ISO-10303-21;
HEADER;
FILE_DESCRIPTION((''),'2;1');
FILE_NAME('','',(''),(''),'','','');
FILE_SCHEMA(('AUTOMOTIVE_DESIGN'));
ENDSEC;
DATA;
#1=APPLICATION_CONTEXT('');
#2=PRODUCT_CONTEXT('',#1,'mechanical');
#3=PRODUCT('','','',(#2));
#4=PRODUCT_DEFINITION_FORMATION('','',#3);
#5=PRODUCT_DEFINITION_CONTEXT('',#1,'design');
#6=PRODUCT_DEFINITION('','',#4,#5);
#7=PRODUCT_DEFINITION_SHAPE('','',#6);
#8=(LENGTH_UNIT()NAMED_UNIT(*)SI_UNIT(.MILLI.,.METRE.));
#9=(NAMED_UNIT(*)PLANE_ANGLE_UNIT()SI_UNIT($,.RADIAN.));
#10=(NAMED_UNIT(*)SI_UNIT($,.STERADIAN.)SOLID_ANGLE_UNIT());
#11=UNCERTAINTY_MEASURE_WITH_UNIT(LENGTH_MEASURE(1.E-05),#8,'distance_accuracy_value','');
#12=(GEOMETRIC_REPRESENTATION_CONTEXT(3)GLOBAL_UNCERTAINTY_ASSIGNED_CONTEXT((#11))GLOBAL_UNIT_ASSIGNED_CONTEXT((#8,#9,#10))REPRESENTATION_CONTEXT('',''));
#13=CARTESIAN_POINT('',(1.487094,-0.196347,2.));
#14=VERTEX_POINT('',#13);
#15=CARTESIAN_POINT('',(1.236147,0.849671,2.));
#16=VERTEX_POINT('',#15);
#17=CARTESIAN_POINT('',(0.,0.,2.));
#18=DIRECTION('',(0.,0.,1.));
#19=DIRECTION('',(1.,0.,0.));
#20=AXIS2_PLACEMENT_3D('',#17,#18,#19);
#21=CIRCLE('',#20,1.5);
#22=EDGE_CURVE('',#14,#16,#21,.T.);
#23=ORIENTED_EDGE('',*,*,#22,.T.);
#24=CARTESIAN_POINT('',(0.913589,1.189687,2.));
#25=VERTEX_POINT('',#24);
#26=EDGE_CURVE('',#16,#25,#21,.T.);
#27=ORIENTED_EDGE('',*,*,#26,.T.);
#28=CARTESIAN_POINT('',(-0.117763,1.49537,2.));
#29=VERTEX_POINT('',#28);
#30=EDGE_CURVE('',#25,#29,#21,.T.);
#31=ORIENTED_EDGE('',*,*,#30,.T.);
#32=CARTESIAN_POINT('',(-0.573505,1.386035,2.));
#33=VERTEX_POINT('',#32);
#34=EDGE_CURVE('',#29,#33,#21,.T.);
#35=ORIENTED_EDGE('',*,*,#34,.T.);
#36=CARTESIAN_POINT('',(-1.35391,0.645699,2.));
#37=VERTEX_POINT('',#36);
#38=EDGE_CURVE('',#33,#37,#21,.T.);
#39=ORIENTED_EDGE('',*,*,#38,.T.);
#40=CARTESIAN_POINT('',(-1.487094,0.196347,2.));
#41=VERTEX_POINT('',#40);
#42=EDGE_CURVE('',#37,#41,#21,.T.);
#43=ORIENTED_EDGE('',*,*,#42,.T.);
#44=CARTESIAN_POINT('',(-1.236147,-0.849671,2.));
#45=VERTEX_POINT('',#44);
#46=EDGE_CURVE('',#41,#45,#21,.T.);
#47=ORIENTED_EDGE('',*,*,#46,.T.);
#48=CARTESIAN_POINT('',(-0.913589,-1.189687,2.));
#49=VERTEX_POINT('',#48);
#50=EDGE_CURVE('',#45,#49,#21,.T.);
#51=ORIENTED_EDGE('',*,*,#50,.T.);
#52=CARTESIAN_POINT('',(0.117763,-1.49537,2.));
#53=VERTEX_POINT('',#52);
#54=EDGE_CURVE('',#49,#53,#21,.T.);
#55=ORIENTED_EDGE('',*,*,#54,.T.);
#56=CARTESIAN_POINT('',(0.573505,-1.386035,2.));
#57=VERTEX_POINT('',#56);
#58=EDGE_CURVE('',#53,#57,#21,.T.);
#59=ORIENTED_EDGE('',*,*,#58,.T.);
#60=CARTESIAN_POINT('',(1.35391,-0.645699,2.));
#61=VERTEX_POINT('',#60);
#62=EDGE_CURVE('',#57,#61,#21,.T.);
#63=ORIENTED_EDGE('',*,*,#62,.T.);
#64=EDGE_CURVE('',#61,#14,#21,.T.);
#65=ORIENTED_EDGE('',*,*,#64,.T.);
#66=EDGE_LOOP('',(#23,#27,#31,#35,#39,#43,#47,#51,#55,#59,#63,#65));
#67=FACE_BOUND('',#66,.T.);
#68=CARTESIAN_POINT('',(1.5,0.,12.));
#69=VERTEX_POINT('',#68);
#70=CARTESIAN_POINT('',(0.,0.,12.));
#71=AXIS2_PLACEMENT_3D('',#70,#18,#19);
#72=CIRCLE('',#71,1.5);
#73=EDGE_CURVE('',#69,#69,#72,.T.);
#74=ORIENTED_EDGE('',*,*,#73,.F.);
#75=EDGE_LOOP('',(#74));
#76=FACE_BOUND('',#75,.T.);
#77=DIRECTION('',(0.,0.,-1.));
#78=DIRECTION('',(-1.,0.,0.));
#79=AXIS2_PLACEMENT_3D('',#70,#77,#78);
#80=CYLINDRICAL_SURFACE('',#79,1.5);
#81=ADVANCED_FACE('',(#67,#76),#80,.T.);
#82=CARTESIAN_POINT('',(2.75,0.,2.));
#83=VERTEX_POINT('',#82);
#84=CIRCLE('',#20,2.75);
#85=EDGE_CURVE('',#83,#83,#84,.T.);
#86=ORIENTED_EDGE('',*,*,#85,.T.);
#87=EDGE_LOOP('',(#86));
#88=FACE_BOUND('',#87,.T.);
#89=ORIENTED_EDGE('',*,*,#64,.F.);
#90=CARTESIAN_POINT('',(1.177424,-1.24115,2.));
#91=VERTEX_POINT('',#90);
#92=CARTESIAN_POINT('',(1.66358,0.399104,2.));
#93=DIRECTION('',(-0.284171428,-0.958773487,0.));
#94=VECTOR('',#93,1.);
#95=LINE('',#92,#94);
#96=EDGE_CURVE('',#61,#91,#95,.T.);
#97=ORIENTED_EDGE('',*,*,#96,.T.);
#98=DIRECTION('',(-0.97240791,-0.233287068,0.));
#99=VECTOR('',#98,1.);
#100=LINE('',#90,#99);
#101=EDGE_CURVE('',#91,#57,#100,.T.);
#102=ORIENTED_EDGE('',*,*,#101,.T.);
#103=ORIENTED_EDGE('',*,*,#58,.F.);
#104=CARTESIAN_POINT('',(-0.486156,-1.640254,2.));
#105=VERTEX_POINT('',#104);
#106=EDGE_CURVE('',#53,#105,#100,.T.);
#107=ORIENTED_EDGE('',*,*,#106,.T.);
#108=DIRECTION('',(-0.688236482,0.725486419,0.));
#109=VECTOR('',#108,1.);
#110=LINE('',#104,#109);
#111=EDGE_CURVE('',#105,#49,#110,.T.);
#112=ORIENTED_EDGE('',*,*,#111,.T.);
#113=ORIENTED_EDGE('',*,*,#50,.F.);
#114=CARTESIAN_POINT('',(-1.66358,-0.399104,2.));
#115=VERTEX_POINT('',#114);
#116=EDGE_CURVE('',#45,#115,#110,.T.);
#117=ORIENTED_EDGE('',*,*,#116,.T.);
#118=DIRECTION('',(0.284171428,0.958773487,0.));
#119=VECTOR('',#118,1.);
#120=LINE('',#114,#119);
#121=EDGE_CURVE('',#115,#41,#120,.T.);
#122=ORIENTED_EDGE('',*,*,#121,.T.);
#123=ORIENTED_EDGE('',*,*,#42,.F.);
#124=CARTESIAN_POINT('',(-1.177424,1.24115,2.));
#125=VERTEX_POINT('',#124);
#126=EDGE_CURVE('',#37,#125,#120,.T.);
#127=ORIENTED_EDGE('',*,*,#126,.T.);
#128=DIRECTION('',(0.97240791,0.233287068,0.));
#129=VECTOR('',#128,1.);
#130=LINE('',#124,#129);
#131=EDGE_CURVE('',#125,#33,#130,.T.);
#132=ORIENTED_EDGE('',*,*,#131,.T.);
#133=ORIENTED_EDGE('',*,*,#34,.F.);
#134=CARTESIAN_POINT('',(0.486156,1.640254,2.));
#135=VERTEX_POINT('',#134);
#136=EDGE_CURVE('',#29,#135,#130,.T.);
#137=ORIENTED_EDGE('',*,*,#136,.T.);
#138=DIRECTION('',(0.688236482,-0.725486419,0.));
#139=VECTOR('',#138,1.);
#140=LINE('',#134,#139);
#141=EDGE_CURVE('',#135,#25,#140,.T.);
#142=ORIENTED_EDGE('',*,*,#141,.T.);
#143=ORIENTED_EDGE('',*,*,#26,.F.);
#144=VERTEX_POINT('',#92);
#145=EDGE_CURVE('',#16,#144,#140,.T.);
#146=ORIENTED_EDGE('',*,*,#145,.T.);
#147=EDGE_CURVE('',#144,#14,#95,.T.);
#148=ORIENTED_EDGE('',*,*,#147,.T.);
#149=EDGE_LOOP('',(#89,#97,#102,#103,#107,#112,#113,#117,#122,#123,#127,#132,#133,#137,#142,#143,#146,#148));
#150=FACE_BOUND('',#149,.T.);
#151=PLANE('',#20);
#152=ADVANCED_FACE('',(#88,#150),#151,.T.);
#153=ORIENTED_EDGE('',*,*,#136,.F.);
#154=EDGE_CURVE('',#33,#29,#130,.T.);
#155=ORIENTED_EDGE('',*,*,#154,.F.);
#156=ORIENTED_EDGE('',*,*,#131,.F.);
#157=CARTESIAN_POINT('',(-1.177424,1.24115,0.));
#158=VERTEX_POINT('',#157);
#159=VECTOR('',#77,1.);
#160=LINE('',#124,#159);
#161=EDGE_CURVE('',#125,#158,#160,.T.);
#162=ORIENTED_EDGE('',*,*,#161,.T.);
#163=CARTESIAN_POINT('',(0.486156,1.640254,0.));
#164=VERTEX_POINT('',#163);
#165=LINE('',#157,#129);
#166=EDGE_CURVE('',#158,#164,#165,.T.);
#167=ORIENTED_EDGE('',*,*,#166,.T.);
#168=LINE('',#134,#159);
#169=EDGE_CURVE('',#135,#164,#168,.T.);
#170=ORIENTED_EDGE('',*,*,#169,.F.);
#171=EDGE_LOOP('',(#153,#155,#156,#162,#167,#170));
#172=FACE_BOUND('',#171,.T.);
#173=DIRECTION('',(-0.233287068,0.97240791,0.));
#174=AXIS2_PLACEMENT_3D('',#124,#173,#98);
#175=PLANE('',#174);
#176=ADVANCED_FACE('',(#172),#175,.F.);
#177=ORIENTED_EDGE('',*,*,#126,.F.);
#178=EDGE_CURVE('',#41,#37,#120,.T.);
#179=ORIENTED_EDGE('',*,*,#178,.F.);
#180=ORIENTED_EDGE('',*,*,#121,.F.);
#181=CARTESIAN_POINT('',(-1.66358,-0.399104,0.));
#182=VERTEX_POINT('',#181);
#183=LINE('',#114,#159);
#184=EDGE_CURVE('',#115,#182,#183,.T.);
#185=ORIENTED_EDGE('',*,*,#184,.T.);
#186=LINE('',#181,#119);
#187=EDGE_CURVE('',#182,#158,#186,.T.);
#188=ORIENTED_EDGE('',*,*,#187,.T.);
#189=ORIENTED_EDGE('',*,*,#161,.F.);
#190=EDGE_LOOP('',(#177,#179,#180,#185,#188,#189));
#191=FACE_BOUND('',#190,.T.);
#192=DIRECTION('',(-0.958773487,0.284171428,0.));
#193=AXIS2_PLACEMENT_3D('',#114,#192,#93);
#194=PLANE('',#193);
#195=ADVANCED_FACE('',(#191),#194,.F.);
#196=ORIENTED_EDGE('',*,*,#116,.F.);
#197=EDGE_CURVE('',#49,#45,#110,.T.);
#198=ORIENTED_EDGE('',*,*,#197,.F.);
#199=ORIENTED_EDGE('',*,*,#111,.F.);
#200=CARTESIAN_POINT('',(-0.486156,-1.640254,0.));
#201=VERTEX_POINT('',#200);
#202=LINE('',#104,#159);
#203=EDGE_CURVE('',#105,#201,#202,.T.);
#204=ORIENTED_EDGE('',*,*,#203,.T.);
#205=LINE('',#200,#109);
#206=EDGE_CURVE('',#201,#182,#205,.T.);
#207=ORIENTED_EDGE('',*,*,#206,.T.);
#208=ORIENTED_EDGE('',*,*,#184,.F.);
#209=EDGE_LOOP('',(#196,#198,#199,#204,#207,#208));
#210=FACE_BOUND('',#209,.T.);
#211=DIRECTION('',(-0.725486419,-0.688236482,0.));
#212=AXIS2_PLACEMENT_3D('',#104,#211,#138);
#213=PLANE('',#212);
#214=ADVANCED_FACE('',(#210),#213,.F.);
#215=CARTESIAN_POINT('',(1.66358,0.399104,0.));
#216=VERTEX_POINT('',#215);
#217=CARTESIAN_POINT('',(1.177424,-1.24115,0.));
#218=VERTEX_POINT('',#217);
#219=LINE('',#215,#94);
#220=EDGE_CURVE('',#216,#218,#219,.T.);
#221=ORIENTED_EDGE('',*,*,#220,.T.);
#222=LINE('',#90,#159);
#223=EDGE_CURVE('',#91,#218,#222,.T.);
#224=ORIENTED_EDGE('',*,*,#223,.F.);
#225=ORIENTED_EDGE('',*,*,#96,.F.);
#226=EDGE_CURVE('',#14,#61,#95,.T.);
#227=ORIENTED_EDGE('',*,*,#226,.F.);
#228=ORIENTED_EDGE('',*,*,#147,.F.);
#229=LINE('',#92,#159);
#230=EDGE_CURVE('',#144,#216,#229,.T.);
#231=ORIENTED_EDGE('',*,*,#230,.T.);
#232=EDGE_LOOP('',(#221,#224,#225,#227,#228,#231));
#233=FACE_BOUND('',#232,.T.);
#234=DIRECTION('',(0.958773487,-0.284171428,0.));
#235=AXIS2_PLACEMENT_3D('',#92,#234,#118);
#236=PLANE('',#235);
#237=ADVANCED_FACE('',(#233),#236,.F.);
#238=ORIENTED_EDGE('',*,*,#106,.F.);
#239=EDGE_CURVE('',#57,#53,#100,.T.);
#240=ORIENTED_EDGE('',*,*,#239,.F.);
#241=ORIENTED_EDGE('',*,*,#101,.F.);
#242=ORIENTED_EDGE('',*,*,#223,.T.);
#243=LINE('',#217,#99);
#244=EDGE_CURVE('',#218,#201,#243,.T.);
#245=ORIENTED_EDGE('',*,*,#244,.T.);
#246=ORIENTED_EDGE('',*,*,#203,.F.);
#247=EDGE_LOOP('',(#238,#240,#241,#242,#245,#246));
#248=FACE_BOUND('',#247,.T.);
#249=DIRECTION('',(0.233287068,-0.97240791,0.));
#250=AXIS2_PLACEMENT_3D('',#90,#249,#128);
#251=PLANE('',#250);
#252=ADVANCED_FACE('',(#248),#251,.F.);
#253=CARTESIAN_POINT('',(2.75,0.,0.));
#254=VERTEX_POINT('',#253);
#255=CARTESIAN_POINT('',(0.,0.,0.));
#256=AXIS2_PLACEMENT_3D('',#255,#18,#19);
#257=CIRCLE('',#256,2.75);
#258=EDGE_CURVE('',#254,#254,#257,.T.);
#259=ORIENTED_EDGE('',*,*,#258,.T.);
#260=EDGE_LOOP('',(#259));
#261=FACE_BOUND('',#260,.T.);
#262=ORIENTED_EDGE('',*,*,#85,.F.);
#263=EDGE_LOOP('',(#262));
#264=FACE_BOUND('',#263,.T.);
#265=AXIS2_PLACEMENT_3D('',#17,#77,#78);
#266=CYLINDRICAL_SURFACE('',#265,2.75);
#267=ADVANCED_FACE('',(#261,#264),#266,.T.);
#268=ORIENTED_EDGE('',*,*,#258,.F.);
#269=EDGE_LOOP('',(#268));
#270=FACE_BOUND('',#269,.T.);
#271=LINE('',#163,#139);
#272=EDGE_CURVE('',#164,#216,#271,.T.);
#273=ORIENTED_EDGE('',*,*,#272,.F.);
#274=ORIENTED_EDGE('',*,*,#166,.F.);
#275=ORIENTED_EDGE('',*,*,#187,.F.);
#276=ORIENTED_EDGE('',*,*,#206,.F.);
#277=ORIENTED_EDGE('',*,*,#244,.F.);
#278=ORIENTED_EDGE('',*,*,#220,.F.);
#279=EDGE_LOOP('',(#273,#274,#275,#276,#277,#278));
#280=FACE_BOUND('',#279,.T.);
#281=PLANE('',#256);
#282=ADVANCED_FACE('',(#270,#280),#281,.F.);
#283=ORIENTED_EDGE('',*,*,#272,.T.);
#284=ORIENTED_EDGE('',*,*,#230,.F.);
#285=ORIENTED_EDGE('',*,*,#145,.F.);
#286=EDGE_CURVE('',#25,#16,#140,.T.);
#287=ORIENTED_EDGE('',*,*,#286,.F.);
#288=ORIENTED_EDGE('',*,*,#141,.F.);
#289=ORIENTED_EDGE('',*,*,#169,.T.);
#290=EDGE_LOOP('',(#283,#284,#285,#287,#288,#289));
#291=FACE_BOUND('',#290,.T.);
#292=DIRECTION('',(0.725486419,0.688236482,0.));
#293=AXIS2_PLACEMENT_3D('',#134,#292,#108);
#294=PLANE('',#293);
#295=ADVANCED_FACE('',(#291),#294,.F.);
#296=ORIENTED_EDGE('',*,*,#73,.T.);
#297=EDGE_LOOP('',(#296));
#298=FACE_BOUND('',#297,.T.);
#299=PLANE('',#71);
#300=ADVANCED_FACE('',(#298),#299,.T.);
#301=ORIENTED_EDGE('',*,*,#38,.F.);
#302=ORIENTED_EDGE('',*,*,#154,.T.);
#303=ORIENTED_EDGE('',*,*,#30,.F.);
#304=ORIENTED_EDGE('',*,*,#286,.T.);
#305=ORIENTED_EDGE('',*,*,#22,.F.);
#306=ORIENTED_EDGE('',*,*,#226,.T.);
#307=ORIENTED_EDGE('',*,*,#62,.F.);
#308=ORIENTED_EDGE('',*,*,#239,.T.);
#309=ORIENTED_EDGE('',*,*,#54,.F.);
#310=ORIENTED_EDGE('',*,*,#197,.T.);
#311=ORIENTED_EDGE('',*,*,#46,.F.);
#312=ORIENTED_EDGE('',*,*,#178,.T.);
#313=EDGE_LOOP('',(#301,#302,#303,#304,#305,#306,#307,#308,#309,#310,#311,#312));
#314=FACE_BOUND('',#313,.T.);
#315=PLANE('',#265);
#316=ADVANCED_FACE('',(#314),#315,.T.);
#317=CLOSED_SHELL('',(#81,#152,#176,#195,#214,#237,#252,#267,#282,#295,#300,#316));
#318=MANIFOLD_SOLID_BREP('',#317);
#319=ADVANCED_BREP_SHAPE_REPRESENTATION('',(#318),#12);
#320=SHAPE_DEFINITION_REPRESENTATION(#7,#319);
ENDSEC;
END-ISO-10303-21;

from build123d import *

# Parameters (mm, degrees)
SKETCH_1_R          = 2.75
EXTRUDE_1_DEPTH     = 2
SKETCH_2_R          = 1.5
EXTRUDE_2_DEPTH     = 10
CUT_EXTRUDE_1_DEPTH = 2


with BuildPart() as part:
    # ｽｹｯﾁ1 → ﾎﾞｽ - 押し出し1 (new body)
    with BuildSketch(Plane.XY):
        Circle(SKETCH_1_R)
    extrude(amount=EXTRUDE_1_DEPTH)

    # ｽｹｯﾁ2 → ﾎﾞｽ - 押し出し2 (add)
    with BuildSketch(Plane.XY.offset(2)):
        Circle(SKETCH_2_R)
    extrude(amount=EXTRUDE_2_DEPTH)

    # ｽｹｯﾁ3 → ｶｯﾄ - 押し出し1 (cut)
    with BuildSketch(Plane(origin=(0, 0, 0), x_dir=(-1, 0, 0), z_dir=(0, 0, -1))):
        Polygon((1.66357981, -0.399103763), (1.177423903, 1.241150495), (-0.486155907, 1.640254258), (-1.66357981, 0.399103763), (-1.177423903, -1.241150495), (0.486155907, -1.640254258), align=None)
    extrude(amount=-CUT_EXTRUDE_1_DEPTH, mode=Mode.SUBTRACT)


solid = part.part
